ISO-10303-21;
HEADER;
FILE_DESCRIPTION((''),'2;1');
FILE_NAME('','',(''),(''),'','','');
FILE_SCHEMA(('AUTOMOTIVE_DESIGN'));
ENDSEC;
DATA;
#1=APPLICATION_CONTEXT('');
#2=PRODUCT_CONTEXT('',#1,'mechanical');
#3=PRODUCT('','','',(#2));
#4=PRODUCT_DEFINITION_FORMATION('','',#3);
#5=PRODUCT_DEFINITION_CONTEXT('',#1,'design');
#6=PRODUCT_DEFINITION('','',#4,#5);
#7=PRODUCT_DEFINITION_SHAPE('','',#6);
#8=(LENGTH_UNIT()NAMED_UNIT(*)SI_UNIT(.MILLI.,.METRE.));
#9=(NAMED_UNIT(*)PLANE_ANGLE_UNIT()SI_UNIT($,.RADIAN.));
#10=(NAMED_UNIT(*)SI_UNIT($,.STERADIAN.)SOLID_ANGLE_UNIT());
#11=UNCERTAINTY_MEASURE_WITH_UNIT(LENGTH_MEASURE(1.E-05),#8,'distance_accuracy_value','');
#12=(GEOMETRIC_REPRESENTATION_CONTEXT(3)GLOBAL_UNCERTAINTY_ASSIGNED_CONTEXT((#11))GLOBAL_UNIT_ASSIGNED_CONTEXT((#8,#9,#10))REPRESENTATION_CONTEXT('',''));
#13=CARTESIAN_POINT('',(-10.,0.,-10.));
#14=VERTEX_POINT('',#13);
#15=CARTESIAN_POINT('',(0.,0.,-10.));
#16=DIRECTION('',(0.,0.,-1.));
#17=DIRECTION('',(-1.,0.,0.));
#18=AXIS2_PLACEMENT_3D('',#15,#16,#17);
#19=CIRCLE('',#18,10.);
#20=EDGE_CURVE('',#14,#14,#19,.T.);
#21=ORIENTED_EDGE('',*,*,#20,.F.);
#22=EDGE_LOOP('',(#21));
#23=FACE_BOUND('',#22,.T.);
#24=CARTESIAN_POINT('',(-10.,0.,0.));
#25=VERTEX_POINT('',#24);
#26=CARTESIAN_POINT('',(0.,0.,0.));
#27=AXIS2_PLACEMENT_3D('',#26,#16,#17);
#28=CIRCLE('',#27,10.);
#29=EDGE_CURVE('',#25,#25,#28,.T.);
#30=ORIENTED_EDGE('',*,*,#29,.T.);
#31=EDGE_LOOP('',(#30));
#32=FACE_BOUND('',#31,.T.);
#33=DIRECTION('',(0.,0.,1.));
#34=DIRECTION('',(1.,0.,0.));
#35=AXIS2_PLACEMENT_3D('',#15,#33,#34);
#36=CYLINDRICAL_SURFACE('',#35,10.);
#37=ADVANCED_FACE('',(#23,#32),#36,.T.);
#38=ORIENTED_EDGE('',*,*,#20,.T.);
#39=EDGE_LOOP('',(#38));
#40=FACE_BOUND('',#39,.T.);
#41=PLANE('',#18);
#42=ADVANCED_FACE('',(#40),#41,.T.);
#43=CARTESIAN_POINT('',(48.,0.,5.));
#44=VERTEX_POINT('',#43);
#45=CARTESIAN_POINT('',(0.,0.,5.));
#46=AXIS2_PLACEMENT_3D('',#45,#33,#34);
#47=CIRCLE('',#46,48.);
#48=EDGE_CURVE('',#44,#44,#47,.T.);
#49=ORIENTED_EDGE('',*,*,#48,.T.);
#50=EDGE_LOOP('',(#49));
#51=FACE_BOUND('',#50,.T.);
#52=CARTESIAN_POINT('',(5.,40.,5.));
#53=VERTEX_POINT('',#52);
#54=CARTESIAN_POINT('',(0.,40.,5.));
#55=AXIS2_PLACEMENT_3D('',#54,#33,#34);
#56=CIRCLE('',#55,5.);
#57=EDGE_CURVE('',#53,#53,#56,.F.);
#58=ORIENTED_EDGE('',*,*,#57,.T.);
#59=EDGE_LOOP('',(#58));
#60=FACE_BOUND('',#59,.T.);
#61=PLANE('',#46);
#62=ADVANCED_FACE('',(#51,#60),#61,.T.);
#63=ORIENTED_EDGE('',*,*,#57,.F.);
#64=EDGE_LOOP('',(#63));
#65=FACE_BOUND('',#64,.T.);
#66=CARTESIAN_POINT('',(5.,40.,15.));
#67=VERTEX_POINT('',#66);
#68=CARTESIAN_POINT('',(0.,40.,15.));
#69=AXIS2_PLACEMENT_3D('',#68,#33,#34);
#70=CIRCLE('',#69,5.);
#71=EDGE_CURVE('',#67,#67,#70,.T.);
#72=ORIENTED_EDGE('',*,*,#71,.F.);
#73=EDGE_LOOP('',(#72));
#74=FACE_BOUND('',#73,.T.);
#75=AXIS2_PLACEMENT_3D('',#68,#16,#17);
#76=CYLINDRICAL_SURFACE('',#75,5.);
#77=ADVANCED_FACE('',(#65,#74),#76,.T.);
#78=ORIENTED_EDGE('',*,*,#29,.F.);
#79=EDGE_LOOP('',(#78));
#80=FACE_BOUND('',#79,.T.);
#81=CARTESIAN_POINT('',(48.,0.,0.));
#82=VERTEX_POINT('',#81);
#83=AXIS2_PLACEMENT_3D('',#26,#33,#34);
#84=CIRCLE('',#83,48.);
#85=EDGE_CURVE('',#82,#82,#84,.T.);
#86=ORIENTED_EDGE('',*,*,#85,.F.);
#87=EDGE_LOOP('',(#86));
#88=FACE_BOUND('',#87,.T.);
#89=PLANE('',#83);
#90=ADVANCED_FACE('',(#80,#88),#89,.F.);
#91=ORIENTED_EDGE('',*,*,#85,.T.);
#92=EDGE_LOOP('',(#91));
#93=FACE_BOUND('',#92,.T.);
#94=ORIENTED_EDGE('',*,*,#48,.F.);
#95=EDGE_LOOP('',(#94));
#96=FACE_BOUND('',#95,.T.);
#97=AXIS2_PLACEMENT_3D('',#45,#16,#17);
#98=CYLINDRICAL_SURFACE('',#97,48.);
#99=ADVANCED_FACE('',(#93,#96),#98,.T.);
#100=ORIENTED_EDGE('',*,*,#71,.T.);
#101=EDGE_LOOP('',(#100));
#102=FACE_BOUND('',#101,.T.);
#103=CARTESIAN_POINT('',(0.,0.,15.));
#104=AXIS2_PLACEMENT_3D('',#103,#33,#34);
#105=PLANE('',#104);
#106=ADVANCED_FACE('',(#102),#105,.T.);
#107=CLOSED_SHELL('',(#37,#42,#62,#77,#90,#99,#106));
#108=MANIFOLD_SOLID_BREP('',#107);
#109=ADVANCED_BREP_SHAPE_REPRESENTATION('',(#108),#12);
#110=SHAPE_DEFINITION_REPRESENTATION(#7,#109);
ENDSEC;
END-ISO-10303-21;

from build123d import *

# Parameters (mm, degrees)
ESBO_O1_R                = 48
RESSALTO_EXTRUS_O1_DEPTH = 5
ESBO_O2_R                = 5
RESSALTO_EXTRUS_O2_DEPTH = 15
ESBO_O3_R                = 10
RESSALTO_EXTRUS_O4_DEPTH = 10


with BuildPart() as part:
    # Esboço1 → Ressalto-extrusão1 (new body)
    with BuildSketch(Plane.XY):
        Circle(ESBO_O1_R)
    extrude(amount=RESSALTO_EXTRUS_O1_DEPTH)

    # Esboço2 → Ressalto-extrusão2 (add)
    with BuildSketch(Plane.XY):
        with Locations((0, 40)):
            Circle(ESBO_O2_R)
    extrude(amount=RESSALTO_EXTRUS_O2_DEPTH)

    # Esboço3 → Ressalto-extrusão4 (add)
    with BuildSketch(Plane(origin=(0, 0, 0), x_dir=(-1, 0, 0), z_dir=(0, 0, -1))):
        Circle(ESBO_O3_R)
    extrude(amount=RESSALTO_EXTRUS_O4_DEPTH)


solid = part.part
